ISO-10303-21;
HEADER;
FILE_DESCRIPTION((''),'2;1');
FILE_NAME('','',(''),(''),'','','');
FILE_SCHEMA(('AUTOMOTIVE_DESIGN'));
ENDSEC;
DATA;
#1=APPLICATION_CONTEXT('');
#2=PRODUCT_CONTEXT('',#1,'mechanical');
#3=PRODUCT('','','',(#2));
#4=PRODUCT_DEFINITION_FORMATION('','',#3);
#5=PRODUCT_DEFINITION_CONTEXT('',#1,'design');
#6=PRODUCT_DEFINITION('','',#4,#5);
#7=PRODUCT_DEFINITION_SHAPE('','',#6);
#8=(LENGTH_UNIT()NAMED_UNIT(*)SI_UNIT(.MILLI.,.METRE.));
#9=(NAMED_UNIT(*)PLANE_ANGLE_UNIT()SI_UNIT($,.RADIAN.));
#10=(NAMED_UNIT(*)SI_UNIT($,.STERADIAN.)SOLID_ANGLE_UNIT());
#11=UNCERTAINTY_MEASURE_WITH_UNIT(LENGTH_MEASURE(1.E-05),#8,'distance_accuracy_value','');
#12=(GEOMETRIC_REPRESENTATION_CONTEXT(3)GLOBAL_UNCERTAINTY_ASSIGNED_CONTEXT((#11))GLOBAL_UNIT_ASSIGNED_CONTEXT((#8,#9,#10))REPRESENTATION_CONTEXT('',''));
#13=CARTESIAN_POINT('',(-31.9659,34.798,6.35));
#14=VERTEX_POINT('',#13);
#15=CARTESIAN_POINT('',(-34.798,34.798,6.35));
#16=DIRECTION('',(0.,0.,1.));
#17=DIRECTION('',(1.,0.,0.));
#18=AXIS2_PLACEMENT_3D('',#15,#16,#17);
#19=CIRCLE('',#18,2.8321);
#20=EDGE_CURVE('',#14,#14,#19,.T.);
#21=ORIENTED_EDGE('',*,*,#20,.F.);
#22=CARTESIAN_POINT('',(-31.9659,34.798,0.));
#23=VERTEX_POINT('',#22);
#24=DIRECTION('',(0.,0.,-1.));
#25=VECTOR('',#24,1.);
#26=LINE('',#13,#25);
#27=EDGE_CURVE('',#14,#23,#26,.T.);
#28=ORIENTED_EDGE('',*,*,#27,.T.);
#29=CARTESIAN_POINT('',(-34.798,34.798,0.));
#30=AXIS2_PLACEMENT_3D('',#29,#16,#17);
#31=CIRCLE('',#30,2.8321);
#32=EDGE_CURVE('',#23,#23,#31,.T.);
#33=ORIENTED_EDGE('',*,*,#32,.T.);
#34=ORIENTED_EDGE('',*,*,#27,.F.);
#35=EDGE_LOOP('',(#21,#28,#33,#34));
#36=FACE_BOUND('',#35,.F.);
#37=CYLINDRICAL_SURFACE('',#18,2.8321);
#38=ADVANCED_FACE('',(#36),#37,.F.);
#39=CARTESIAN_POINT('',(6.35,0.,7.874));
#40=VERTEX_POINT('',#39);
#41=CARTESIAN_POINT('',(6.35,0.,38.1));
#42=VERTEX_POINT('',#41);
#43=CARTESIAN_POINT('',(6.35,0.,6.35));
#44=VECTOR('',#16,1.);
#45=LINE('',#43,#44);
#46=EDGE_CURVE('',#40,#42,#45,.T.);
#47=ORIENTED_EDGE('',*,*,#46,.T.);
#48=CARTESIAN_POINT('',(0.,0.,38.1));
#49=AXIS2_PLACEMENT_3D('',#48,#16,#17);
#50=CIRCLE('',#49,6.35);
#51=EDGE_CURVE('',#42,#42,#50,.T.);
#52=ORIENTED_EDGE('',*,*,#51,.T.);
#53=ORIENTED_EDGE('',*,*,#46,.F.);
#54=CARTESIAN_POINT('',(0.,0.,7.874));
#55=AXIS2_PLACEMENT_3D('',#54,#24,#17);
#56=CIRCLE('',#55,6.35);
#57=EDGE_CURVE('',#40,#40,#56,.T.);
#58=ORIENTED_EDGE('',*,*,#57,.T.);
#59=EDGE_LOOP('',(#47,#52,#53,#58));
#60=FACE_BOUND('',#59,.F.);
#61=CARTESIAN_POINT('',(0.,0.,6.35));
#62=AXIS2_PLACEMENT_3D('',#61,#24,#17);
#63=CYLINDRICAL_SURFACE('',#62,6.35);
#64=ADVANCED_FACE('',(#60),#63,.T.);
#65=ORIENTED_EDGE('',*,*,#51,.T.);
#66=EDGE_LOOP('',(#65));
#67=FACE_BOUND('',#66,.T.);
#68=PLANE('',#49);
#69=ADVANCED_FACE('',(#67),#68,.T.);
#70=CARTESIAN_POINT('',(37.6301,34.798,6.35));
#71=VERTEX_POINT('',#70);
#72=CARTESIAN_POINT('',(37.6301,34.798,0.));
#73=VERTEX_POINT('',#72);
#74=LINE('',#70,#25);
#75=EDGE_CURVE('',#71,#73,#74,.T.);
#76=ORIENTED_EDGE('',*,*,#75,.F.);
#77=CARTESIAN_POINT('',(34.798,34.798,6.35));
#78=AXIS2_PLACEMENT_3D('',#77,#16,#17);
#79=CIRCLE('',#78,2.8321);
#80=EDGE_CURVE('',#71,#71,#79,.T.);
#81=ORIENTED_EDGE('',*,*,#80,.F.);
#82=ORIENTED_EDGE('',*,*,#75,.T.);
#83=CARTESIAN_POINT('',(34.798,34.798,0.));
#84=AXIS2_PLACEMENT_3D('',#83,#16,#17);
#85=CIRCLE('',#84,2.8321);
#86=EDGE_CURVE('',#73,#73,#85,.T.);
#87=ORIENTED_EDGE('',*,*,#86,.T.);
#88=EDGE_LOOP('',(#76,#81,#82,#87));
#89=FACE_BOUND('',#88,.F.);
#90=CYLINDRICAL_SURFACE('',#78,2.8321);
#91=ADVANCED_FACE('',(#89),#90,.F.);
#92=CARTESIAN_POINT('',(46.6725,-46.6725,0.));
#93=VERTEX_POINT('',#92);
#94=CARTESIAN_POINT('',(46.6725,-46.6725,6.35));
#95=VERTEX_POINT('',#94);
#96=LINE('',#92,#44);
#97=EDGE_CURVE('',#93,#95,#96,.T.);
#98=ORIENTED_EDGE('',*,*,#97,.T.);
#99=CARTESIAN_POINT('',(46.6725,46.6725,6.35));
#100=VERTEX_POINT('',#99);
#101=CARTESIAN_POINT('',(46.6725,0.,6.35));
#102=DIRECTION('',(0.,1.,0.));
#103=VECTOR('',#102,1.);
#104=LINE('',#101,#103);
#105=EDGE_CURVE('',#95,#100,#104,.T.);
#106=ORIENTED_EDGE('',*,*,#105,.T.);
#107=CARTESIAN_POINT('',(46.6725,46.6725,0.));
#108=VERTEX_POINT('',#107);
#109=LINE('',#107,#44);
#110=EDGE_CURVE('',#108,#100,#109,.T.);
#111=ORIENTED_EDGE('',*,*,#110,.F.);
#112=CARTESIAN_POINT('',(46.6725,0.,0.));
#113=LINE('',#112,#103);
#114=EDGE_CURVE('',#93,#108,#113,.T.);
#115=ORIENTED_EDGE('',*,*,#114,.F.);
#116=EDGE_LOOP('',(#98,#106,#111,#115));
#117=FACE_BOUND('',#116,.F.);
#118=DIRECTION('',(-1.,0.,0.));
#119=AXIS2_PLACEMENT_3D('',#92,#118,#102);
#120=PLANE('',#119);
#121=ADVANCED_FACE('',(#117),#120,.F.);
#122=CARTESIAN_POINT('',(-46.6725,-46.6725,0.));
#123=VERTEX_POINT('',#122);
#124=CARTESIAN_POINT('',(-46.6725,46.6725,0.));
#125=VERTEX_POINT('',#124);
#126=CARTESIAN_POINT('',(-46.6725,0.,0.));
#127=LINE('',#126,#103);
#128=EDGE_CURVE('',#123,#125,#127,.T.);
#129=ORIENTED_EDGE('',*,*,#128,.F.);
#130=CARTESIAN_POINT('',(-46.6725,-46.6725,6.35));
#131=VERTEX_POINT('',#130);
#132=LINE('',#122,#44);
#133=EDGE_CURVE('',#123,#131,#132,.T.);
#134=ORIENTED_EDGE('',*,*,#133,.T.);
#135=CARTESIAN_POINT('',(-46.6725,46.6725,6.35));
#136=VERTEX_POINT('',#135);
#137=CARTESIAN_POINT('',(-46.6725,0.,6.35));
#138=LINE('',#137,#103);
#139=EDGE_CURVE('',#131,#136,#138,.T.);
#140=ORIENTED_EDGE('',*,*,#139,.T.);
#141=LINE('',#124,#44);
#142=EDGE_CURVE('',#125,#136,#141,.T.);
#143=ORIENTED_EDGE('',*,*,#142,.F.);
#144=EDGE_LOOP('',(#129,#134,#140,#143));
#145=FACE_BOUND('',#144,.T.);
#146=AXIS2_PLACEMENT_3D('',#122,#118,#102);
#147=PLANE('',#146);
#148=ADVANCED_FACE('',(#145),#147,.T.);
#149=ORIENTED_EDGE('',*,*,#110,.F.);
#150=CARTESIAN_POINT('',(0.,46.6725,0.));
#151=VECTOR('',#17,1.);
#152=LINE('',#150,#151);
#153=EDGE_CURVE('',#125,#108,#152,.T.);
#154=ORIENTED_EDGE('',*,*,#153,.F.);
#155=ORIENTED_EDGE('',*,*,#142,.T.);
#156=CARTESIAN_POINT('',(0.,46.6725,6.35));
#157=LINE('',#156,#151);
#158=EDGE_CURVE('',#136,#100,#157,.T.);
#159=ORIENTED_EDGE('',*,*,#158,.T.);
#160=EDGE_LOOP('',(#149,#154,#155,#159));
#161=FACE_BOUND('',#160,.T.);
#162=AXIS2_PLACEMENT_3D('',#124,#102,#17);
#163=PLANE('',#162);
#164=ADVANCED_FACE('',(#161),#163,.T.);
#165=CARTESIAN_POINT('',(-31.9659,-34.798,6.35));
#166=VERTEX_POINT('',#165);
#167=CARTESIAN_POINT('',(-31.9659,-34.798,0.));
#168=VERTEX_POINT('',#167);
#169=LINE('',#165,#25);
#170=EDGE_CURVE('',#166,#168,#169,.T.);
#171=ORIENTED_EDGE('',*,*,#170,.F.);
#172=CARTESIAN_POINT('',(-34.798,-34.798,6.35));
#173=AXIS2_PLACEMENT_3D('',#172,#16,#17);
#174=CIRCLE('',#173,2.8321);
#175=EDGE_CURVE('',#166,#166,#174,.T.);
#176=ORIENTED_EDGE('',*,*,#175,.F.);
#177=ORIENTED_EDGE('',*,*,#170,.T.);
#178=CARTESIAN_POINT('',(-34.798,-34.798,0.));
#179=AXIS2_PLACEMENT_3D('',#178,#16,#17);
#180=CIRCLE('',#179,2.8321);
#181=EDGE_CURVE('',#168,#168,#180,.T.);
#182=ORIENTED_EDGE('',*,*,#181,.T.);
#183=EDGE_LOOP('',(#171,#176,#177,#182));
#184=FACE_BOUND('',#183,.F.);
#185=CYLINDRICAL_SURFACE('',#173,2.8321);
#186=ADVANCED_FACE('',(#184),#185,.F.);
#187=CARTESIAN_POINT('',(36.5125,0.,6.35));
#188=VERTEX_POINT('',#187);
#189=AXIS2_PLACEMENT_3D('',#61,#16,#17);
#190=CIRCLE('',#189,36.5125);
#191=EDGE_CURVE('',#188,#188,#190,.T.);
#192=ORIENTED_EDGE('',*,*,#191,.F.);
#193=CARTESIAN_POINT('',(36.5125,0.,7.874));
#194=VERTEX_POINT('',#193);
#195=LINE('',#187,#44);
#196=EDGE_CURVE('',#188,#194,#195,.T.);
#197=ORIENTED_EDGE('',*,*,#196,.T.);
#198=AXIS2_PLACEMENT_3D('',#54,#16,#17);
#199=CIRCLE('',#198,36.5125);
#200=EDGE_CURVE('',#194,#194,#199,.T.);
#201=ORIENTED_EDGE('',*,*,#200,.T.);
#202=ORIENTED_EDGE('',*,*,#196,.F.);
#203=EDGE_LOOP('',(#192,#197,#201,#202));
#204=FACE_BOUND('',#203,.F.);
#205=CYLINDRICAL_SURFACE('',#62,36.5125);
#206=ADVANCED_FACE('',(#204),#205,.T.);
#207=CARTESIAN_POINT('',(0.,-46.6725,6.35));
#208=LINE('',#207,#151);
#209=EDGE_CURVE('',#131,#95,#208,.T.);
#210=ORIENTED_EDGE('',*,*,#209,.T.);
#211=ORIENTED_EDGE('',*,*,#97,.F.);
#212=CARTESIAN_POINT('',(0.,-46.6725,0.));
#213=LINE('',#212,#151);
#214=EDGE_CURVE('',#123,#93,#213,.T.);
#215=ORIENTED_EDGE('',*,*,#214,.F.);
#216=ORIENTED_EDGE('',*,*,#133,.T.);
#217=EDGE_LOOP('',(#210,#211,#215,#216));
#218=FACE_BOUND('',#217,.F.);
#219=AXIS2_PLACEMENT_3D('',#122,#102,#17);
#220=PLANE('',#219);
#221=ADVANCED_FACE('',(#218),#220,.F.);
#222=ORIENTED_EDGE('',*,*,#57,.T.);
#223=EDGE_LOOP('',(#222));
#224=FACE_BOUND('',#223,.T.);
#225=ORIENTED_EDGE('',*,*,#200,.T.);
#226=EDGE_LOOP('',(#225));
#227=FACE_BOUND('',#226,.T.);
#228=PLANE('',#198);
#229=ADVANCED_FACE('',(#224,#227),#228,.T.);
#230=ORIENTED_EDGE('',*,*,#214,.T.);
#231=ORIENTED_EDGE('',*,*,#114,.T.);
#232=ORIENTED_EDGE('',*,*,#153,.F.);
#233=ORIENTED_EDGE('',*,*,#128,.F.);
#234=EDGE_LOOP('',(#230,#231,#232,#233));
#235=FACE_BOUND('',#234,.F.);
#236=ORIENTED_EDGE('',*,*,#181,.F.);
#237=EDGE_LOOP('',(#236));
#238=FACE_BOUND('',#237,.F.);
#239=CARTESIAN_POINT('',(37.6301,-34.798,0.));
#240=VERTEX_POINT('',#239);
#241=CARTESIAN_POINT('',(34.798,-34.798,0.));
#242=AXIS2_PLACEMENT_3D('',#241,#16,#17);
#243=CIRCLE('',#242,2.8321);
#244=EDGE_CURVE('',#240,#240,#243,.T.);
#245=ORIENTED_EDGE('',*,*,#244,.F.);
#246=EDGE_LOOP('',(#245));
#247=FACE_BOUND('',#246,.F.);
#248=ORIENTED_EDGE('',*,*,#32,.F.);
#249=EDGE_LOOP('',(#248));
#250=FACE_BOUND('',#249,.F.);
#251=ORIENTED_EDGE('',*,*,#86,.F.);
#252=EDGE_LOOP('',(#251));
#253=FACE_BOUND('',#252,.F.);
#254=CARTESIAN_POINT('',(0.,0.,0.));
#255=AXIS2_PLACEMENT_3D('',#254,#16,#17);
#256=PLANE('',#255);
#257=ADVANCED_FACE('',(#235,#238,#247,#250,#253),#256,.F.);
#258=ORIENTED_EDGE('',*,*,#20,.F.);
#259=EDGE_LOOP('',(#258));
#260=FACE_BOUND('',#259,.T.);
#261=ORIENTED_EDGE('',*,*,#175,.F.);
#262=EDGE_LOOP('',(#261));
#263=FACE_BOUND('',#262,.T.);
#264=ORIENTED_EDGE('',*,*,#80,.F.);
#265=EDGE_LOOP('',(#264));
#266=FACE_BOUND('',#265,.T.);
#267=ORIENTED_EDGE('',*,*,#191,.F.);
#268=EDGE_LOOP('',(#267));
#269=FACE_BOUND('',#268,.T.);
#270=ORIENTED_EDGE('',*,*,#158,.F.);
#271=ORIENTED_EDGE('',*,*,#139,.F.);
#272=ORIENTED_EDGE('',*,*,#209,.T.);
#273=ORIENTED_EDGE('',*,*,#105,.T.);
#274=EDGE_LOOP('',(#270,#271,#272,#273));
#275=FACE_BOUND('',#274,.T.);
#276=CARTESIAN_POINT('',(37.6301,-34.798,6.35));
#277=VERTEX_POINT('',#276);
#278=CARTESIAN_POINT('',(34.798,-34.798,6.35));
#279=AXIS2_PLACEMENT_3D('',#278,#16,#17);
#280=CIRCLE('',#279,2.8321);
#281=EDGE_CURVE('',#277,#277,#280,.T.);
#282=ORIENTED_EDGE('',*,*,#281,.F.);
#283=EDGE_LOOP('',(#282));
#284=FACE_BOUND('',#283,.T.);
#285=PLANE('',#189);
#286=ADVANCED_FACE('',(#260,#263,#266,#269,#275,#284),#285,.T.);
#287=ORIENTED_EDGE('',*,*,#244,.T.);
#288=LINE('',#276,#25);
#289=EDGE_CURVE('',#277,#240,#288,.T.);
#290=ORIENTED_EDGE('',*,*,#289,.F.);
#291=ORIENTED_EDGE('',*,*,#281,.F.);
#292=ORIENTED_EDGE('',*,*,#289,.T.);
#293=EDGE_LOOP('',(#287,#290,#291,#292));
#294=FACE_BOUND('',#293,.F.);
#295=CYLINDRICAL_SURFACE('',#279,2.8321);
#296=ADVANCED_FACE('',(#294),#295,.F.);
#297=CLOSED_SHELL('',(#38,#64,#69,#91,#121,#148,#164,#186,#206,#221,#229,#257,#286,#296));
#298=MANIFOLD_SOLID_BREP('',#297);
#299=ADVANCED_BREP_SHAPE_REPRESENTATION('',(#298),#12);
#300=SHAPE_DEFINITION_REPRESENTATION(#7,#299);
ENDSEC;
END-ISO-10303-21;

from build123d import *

# Parameters (mm, degrees)
F0_W     = 93.345
F0_H     = 93.345
F1_DEPTH = 6.35
F2_R     = 36.5125
F3_DEPTH = 1.524
F4_R     = 6.35
F5_DEPTH = 31.75
F6_R     = 2.8321
F7_DEPTH = 6.35


with BuildPart() as f1:
    # F0 (on Top) → F1 (new body)
    with BuildSketch(Plane.XY):
        Rectangle(F0_W, F0_H)
    extrude(amount=F1_DEPTH)

    # F2 (on face) → F3 (join)
    with BuildSketch(Plane.XY.offset(6.35)):
        Circle(F2_R)
    extrude(amount=F3_DEPTH)

    # F4 (on face) → F5 (join)
    with BuildSketch(Plane.XY.offset(6.35)):
        Circle(F4_R)
    extrude(amount=F5_DEPTH)

    # F6 (on face) → F7 (cut, through all)
    with BuildSketch(Plane.XY.offset(6.35)):
        with Locations((-34.798, 34.798)):
            Circle(F6_R)
        with Locations((34.798, 34.798)):
            Circle(F6_R)
        with Locations((34.798, -34.798)):
            Circle(F6_R)
        with Locations((-34.798, -34.798)):
            Circle(F6_R)
    extrude(amount=-F7_DEPTH, mode=Mode.SUBTRACT)


solid = f1.part
